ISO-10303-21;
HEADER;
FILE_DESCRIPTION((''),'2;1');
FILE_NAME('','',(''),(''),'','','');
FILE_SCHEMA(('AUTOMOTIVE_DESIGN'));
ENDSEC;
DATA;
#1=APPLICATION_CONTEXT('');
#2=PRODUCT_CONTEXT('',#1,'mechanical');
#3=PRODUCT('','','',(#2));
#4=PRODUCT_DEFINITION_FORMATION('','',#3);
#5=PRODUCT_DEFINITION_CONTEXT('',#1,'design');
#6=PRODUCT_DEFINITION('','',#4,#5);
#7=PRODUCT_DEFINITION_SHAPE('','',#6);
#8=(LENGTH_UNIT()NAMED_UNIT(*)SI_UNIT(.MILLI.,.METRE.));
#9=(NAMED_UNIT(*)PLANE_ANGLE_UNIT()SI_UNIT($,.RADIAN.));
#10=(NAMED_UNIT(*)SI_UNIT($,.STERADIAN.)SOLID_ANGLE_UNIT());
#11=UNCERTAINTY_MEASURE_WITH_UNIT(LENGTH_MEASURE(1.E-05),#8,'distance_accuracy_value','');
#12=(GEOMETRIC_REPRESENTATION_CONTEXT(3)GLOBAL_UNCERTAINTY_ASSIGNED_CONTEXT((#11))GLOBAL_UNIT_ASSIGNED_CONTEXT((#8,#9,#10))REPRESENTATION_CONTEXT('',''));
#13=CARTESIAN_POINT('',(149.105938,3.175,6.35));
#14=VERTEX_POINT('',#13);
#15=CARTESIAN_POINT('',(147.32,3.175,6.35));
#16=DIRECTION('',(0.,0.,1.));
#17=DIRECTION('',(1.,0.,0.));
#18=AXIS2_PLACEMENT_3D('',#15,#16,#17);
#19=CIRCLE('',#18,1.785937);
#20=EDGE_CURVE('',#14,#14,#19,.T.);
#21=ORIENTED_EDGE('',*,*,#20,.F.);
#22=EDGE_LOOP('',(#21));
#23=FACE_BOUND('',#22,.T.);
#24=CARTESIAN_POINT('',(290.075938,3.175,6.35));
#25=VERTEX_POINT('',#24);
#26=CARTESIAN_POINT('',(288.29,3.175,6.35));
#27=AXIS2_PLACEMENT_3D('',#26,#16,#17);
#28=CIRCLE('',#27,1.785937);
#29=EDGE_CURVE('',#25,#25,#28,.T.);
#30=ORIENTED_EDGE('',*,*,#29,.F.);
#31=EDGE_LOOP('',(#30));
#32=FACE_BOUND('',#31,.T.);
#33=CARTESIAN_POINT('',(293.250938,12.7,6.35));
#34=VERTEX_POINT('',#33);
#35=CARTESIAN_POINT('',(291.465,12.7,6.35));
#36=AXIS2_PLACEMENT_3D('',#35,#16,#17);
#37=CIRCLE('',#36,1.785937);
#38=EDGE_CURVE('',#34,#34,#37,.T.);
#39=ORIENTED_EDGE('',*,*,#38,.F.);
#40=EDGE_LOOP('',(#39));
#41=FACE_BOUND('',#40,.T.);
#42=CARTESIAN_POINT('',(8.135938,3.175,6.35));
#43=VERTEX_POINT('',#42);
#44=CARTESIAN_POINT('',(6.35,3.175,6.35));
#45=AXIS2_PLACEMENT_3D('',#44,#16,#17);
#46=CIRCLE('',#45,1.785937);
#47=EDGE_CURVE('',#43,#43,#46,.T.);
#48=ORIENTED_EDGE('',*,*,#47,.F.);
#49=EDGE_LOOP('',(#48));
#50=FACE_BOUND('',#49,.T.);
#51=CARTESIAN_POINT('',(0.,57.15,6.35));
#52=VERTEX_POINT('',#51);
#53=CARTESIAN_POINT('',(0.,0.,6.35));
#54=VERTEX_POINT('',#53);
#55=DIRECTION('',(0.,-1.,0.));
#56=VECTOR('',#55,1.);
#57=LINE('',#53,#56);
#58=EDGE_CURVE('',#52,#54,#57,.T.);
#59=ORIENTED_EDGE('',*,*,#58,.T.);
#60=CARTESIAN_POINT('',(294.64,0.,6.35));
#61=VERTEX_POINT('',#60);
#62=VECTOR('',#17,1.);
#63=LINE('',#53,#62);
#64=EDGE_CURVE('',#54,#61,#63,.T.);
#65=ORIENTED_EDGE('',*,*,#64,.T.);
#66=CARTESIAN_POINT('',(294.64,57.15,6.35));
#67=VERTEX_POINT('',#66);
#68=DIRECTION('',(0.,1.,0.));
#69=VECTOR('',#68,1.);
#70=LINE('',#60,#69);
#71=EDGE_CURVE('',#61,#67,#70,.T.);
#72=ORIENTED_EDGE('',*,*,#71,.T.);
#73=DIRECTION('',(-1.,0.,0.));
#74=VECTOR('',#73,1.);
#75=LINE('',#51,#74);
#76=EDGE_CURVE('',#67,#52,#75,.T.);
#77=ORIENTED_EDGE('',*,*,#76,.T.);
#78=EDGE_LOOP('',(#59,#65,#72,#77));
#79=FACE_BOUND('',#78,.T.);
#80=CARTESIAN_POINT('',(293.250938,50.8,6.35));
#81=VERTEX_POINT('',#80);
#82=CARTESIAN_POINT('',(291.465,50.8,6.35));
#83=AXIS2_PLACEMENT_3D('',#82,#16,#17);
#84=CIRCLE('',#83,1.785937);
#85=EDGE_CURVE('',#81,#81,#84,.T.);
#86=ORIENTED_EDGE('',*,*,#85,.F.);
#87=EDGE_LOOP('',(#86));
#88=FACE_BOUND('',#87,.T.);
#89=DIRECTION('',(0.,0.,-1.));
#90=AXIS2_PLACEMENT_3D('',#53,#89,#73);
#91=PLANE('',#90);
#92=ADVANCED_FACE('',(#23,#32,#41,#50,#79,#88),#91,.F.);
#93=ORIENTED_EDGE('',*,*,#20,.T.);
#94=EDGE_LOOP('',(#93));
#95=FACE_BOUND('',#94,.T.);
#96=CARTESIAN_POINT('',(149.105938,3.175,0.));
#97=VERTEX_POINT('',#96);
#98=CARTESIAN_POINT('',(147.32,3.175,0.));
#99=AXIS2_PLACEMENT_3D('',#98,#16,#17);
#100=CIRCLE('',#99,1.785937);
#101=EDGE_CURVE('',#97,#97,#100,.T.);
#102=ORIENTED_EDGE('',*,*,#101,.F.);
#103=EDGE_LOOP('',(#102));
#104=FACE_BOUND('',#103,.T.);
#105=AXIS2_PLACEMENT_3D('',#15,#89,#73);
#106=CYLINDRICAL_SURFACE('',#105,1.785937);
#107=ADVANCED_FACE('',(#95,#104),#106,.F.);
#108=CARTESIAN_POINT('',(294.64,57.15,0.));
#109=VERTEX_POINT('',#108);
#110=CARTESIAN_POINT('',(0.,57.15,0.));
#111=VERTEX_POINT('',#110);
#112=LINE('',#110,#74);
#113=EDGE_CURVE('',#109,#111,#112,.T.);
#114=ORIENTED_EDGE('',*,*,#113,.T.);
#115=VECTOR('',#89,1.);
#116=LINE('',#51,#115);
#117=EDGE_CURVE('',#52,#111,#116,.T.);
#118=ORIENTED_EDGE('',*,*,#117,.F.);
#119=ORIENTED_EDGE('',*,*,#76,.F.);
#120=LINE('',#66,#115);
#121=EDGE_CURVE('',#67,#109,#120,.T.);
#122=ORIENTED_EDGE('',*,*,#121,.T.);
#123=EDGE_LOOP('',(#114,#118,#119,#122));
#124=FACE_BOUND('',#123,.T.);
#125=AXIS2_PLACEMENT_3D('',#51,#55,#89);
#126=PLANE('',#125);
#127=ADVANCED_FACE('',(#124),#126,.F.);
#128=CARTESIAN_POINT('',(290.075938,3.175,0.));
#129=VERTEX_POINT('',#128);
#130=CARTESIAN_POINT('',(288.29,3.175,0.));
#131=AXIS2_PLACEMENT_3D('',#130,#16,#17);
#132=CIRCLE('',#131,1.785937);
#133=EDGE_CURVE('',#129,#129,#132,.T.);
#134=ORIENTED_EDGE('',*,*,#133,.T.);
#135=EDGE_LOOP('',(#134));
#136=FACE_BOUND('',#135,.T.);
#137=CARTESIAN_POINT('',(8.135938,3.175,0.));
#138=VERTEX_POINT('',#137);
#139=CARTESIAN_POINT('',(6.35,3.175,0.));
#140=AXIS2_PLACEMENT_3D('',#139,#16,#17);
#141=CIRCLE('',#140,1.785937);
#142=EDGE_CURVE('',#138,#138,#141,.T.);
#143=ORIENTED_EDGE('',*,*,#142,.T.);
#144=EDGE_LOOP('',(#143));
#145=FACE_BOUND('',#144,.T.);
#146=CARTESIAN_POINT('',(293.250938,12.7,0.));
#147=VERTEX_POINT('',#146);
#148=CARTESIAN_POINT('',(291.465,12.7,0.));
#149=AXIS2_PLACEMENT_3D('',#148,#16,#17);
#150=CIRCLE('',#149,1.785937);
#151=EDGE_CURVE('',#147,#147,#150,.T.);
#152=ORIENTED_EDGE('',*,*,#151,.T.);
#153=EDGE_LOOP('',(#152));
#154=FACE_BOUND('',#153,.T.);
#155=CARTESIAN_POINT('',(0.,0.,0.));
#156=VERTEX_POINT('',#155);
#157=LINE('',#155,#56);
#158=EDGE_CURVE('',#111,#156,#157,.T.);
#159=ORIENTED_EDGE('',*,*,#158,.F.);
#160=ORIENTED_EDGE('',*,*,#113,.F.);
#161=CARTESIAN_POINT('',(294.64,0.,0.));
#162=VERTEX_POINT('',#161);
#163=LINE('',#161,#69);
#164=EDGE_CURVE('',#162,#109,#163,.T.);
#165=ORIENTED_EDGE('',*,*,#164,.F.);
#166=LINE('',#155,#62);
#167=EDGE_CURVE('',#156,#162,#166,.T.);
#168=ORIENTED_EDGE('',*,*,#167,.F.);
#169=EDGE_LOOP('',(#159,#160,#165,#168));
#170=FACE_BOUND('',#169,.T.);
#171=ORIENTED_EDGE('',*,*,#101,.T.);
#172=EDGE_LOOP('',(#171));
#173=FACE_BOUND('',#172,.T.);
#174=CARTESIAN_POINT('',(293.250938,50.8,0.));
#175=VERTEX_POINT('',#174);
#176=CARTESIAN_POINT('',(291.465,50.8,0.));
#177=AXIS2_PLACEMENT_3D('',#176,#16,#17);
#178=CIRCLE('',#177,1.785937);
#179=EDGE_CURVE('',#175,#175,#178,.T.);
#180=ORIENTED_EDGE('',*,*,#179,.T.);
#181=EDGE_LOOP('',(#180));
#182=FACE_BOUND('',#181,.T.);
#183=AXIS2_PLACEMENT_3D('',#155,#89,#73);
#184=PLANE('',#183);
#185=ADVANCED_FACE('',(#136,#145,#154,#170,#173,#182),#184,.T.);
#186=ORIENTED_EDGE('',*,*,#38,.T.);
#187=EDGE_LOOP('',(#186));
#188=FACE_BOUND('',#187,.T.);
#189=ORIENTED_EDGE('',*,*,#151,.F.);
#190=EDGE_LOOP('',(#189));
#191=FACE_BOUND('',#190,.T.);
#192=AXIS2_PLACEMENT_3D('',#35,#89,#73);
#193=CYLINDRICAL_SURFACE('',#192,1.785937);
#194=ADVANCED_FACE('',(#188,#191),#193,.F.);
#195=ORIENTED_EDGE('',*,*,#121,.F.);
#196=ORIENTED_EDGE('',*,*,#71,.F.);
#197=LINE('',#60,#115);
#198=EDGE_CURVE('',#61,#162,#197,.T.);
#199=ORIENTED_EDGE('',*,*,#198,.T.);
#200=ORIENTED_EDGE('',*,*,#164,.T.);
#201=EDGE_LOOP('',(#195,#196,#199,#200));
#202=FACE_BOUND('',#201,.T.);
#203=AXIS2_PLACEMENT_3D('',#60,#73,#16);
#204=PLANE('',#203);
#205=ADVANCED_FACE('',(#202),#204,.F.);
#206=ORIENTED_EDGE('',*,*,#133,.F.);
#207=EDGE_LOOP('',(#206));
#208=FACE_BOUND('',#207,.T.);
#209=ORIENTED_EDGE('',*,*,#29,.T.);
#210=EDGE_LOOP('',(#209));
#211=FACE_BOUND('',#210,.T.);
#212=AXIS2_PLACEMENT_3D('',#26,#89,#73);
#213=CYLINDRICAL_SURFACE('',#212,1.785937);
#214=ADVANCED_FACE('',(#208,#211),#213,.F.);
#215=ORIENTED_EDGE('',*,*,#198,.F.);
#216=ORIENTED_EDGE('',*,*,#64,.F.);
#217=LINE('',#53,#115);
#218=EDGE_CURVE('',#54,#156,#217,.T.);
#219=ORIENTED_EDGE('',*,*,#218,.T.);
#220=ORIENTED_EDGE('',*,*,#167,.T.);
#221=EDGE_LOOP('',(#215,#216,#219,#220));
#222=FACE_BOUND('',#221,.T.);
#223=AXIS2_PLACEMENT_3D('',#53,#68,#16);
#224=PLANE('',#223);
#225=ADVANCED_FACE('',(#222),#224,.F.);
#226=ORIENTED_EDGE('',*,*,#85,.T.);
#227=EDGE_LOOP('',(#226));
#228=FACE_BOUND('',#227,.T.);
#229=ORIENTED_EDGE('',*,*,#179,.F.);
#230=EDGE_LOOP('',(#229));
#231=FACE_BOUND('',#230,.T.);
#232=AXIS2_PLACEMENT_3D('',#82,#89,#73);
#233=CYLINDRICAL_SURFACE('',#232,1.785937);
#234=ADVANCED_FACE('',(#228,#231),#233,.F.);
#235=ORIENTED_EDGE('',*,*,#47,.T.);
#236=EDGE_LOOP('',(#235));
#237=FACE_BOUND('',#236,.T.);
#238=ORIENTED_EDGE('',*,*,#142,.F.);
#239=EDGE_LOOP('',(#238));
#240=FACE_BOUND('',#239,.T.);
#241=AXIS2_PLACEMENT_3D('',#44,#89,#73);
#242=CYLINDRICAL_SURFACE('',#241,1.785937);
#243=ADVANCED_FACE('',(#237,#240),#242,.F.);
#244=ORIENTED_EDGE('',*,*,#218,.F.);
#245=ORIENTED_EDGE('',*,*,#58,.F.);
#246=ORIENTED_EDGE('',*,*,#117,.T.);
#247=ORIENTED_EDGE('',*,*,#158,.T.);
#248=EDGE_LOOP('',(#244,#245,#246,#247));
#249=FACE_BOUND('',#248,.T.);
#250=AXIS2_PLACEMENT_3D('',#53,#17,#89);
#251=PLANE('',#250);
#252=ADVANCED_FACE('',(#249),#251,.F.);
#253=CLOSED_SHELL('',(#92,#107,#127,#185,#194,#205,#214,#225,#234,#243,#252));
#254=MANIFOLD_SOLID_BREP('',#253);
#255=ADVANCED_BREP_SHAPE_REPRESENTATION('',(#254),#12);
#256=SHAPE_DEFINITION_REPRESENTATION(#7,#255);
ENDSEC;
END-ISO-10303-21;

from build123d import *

# Parameters (mm, degrees)
SKETCH1_W           = 294.64
SKETCH1_H           = 57.15
SKETCH1_R           = 1.7859375
BOSS_EXTRUDE1_DEPTH = 6.35


with BuildPart() as part:
    # Sketch1 → Boss-Extrude1 (new body)
    with BuildSketch(Plane.XY):
        with Locations((147.32, 28.575)):
            Rectangle(SKETCH1_W, SKETCH1_H)
        with Locations((6.35, 3.175)):
            Circle(SKETCH1_R, mode=Mode.SUBTRACT)
        with Locations((147.32, 3.175)):
            Circle(SKETCH1_R, mode=Mode.SUBTRACT)
        with Locations((288.29, 3.175)):
            Circle(SKETCH1_R, mode=Mode.SUBTRACT)
        with Locations((291.465, 50.8)):
            Circle(SKETCH1_R, mode=Mode.SUBTRACT)
        with Locations((291.465, 12.7)):
            Circle(SKETCH1_R, mode=Mode.SUBTRACT)
    extrude(amount=BOSS_EXTRUDE1_DEPTH)


solid = part.part
